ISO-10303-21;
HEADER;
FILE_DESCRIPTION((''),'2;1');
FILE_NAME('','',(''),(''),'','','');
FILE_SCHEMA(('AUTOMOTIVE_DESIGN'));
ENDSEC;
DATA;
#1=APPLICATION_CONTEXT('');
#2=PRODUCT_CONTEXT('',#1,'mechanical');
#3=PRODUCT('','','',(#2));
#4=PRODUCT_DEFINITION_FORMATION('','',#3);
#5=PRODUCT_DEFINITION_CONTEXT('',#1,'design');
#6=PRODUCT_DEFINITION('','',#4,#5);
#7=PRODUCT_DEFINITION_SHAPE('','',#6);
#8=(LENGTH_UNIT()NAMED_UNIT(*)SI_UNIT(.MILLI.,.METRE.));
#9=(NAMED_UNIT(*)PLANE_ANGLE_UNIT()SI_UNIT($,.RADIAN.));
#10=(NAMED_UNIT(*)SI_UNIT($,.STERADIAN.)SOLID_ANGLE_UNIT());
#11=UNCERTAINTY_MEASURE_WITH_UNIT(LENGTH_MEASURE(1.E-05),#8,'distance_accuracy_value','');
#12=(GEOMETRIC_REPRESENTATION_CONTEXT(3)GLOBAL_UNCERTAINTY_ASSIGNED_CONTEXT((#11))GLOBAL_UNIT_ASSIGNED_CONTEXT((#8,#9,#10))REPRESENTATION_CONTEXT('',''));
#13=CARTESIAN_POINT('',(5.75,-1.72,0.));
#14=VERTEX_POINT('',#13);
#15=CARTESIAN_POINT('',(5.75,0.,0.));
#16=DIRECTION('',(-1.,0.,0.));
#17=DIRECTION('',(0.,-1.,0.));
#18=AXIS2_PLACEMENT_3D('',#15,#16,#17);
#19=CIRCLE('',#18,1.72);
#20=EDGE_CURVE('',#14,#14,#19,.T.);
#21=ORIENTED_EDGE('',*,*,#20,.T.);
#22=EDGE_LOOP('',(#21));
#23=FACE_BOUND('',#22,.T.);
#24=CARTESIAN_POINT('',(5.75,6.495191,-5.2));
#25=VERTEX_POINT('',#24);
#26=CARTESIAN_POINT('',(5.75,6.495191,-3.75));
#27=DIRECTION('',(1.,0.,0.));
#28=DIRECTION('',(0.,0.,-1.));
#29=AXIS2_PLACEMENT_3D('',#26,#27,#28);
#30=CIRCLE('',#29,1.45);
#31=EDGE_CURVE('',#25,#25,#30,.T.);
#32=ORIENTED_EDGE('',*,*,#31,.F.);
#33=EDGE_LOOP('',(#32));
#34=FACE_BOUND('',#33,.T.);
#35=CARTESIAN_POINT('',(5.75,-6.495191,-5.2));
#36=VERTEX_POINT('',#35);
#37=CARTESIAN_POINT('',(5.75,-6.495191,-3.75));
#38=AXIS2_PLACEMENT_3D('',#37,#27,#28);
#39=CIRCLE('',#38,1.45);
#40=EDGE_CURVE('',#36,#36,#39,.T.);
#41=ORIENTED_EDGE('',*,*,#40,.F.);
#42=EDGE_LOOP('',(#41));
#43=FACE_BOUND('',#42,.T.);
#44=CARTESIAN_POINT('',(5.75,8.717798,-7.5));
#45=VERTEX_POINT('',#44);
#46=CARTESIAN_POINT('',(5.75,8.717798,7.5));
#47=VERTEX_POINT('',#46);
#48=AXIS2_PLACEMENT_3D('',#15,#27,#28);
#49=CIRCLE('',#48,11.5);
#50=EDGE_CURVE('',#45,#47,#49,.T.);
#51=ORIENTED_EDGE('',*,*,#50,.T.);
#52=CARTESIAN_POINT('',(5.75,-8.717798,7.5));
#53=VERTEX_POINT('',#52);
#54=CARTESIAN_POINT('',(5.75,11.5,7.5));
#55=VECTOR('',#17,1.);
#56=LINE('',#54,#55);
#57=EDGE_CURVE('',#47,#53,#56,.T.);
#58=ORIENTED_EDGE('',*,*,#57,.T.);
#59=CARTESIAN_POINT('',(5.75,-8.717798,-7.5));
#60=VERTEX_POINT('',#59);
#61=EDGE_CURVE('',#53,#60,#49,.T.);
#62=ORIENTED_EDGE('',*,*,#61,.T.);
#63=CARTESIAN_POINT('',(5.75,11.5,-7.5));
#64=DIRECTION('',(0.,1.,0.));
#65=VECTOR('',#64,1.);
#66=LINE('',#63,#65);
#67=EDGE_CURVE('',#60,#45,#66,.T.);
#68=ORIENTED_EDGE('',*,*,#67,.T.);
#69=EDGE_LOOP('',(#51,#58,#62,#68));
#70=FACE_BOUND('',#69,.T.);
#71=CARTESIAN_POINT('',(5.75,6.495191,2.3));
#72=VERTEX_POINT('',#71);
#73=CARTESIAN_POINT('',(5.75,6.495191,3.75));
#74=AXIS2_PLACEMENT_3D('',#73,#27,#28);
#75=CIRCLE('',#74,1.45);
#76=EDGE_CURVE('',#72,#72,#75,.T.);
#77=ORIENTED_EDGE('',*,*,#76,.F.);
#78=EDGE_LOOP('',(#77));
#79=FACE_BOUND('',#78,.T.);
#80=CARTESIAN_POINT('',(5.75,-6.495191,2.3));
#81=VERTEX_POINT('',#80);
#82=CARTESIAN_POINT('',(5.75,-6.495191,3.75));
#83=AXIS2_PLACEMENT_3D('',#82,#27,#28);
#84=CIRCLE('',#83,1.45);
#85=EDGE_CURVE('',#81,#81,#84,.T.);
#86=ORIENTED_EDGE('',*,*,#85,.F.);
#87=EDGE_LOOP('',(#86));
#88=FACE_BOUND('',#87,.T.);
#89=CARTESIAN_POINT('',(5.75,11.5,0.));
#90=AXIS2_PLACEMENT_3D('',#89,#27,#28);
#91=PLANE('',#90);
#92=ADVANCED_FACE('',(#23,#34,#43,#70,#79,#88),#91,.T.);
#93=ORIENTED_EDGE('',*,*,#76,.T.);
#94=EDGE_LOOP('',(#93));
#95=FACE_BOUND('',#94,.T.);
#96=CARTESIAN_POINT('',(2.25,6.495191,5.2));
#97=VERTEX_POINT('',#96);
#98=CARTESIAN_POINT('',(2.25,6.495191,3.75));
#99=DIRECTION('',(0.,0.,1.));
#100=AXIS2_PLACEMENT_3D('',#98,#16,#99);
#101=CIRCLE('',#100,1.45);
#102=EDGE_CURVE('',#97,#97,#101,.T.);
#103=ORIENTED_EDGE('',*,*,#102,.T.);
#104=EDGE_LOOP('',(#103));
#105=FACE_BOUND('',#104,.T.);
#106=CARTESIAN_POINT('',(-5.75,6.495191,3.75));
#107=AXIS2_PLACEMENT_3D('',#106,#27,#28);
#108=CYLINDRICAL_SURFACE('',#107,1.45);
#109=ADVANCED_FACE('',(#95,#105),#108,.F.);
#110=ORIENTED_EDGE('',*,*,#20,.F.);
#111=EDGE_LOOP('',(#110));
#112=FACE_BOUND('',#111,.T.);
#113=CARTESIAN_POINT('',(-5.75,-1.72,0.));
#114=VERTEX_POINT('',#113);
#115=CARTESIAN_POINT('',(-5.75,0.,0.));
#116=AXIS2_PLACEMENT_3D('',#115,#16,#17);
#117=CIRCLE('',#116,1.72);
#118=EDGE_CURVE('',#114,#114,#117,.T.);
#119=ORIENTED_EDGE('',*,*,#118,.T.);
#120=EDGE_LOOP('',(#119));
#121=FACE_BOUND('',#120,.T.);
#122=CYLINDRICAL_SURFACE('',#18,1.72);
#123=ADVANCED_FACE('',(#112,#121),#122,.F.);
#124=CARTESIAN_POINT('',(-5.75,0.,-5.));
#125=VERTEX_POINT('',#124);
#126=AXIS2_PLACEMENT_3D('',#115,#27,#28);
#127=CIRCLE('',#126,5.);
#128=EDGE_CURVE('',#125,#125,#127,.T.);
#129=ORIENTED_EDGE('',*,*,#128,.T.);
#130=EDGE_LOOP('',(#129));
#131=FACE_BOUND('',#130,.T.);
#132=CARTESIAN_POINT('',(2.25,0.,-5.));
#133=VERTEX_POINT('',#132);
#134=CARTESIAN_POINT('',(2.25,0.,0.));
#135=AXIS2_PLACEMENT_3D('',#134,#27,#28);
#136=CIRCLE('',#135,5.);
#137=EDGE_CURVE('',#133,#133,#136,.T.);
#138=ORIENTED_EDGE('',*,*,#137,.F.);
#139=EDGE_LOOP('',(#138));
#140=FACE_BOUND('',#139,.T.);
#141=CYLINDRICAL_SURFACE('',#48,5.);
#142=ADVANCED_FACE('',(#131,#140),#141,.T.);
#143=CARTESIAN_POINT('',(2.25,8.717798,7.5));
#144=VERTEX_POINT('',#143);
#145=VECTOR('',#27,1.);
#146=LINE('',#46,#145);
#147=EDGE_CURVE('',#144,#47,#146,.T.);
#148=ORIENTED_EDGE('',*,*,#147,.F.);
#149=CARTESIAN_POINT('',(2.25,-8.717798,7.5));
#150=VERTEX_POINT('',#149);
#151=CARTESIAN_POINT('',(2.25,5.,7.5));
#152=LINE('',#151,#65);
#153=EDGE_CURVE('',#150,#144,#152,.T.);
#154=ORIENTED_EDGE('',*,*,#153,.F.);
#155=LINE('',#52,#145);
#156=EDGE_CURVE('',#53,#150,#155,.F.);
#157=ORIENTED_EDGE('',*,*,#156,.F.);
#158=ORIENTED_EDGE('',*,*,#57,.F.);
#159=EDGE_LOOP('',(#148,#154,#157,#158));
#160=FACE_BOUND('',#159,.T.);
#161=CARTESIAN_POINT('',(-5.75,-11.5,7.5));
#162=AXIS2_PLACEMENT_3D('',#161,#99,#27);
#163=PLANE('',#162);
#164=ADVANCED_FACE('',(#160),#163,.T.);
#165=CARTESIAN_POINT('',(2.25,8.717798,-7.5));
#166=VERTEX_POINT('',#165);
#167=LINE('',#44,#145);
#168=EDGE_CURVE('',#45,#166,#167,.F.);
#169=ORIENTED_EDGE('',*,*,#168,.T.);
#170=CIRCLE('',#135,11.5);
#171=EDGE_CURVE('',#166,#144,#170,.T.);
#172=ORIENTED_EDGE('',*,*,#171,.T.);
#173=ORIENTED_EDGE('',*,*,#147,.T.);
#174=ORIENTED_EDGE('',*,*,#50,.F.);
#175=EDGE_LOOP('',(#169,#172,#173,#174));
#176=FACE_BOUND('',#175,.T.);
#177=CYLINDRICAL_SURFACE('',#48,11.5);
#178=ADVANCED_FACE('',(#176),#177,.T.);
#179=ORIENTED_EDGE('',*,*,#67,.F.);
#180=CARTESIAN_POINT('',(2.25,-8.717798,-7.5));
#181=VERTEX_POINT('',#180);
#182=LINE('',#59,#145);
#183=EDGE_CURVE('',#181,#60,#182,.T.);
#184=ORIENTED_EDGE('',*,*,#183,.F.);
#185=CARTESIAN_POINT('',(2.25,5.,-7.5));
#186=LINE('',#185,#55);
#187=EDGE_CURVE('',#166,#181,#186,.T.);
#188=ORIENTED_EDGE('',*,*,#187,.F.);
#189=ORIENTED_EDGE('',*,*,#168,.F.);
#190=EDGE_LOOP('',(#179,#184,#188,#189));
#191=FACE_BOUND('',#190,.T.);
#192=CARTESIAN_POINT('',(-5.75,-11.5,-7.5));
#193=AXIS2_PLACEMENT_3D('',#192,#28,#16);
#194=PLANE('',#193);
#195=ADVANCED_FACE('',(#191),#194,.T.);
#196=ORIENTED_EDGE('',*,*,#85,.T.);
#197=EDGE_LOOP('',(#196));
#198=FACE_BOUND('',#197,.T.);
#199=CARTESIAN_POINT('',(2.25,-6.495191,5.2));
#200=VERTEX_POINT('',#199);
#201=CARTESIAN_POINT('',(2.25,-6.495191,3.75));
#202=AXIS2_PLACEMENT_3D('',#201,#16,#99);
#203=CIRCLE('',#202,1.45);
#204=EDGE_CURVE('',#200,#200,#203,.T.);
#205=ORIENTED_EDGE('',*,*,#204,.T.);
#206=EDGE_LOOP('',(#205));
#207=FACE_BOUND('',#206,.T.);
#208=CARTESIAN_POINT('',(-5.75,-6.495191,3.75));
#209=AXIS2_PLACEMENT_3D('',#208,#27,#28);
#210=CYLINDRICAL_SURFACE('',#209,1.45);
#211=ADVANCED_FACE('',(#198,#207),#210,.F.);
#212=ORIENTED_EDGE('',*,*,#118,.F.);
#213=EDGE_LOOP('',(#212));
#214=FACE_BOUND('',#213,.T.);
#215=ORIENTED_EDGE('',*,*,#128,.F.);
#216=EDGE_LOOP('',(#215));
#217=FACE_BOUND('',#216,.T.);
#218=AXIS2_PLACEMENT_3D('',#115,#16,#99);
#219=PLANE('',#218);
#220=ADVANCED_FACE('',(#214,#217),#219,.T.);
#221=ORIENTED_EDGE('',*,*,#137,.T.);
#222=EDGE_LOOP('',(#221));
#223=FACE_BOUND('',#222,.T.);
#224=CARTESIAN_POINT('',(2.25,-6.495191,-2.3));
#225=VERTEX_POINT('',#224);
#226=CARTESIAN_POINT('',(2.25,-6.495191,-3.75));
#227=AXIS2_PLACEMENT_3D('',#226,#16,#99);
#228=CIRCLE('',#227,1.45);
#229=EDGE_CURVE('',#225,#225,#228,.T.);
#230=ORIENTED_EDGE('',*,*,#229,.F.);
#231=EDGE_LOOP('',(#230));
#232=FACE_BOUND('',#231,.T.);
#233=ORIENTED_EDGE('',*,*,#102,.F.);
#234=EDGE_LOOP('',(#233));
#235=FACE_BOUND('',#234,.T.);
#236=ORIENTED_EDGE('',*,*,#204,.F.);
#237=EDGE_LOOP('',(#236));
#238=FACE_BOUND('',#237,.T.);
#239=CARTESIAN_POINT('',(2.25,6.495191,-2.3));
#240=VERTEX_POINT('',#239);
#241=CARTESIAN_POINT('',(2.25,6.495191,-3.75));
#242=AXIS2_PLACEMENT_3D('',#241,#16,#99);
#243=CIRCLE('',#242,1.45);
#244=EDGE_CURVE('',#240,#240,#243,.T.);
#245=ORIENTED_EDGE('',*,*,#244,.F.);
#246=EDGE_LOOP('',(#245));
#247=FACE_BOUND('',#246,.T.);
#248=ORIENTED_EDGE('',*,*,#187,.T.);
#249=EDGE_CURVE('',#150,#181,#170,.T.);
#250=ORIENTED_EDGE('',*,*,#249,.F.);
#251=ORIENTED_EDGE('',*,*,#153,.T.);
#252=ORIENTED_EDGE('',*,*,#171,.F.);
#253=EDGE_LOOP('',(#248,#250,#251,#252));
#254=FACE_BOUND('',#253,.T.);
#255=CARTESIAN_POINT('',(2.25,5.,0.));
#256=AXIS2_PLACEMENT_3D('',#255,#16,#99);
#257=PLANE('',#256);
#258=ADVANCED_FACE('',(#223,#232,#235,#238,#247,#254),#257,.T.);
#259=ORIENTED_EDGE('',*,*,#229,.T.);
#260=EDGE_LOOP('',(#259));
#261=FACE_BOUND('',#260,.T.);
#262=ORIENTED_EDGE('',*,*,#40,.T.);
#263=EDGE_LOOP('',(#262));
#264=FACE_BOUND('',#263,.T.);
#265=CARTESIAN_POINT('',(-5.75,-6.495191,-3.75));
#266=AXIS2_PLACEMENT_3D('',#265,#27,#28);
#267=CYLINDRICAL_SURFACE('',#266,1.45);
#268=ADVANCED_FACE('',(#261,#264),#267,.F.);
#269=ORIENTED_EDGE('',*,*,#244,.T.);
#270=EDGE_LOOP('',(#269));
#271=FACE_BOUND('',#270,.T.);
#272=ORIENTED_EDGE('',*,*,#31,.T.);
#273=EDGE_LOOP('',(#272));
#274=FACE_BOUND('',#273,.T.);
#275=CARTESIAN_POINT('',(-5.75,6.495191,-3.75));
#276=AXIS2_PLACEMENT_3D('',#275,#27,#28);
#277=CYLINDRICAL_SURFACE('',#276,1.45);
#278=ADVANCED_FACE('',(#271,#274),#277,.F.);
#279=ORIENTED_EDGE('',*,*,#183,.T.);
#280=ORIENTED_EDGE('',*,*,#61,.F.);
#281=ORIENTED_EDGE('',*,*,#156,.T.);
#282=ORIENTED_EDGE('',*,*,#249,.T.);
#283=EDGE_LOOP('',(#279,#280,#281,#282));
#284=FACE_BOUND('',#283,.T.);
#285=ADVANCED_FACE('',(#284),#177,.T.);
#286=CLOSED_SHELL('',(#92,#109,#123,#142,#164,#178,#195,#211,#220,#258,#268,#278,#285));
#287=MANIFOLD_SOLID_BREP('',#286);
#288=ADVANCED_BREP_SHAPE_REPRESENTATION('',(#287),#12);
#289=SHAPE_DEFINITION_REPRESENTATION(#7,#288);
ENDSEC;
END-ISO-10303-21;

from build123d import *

# Parameters (mm, degrees)
SKETCH_3_R           = 1.72
CUT_EXTRUDE_1_DEPTH  = 20.918584287
SKETCH_5_R           = 1.45
CUT_EXTRUDE_2_DEPTH  = 20.918584287
SKETCH_6_OUTSIDE_W   = 31.9
SKETCH_6_OUTSIDE_H   = 31.9
SKETCH_6_OUTSIDE_W_2 = 15
SKETCH_6_OUTSIDE_H_2 = 23
CUT_EXTRUDE_3_DEPTH  = 20.918584287


with BuildPart() as part:
    # 草图2 → 旋转1 (revolve)
    with BuildSketch(Plane.XY, mode=Mode.PRIVATE) as revolve_1_sk:
        Polygon((-5.75, 0), (-5.75, 5), (2.25, 5), (2.25, 11.5), (5.75, 11.5), (5.75, 0), align=None)
    revolve(revolve_1_sk.sketch.rotate(Axis((5.75, 0, 0), (-1, 0, 0)), 90), axis=Axis((5.75, 0, 0), (-1, 0, 0)))

    # 草图3 → 切除-拉伸1 (cut, through all)
    with BuildSketch(Plane.ZY.offset(5.75)):
        with Locations(Location((0, 0, 0), (0, 0, 270))):
            Circle(SKETCH_3_R)
    extrude(amount=-CUT_EXTRUDE_1_DEPTH, mode=Mode.SUBTRACT)

    # 草图5 → 切除-拉伸2 (cut, through all)
    with BuildSketch(Plane(origin=(5.75, 0, 0), x_dir=(0, 0, -1), z_dir=(1, 0, 0))):
        with Locations((-3.75, 6.495190528)):
            Circle(SKETCH_5_R)
        with Locations((3.75, 6.495190528)):
            Circle(SKETCH_5_R)
        with Locations((-3.75, -6.495190528)):
            Circle(SKETCH_5_R)
        with Locations((3.75, -6.495190528)):
            Circle(SKETCH_5_R)
    extrude(amount=-CUT_EXTRUDE_2_DEPTH, mode=Mode.SUBTRACT)

    # 草图6 outside → 切除-拉伸3 (cut, through all)
    with BuildSketch(Plane(origin=(5.75, 0, 0), x_dir=(0, 0, -1), z_dir=(1, 0, 0))):
        Rectangle(SKETCH_6_OUTSIDE_W, SKETCH_6_OUTSIDE_H)
        Rectangle(SKETCH_6_OUTSIDE_W_2, SKETCH_6_OUTSIDE_H_2, mode=Mode.SUBTRACT)
    extrude(amount=-CUT_EXTRUDE_3_DEPTH, mode=Mode.SUBTRACT)


solid = part.part
